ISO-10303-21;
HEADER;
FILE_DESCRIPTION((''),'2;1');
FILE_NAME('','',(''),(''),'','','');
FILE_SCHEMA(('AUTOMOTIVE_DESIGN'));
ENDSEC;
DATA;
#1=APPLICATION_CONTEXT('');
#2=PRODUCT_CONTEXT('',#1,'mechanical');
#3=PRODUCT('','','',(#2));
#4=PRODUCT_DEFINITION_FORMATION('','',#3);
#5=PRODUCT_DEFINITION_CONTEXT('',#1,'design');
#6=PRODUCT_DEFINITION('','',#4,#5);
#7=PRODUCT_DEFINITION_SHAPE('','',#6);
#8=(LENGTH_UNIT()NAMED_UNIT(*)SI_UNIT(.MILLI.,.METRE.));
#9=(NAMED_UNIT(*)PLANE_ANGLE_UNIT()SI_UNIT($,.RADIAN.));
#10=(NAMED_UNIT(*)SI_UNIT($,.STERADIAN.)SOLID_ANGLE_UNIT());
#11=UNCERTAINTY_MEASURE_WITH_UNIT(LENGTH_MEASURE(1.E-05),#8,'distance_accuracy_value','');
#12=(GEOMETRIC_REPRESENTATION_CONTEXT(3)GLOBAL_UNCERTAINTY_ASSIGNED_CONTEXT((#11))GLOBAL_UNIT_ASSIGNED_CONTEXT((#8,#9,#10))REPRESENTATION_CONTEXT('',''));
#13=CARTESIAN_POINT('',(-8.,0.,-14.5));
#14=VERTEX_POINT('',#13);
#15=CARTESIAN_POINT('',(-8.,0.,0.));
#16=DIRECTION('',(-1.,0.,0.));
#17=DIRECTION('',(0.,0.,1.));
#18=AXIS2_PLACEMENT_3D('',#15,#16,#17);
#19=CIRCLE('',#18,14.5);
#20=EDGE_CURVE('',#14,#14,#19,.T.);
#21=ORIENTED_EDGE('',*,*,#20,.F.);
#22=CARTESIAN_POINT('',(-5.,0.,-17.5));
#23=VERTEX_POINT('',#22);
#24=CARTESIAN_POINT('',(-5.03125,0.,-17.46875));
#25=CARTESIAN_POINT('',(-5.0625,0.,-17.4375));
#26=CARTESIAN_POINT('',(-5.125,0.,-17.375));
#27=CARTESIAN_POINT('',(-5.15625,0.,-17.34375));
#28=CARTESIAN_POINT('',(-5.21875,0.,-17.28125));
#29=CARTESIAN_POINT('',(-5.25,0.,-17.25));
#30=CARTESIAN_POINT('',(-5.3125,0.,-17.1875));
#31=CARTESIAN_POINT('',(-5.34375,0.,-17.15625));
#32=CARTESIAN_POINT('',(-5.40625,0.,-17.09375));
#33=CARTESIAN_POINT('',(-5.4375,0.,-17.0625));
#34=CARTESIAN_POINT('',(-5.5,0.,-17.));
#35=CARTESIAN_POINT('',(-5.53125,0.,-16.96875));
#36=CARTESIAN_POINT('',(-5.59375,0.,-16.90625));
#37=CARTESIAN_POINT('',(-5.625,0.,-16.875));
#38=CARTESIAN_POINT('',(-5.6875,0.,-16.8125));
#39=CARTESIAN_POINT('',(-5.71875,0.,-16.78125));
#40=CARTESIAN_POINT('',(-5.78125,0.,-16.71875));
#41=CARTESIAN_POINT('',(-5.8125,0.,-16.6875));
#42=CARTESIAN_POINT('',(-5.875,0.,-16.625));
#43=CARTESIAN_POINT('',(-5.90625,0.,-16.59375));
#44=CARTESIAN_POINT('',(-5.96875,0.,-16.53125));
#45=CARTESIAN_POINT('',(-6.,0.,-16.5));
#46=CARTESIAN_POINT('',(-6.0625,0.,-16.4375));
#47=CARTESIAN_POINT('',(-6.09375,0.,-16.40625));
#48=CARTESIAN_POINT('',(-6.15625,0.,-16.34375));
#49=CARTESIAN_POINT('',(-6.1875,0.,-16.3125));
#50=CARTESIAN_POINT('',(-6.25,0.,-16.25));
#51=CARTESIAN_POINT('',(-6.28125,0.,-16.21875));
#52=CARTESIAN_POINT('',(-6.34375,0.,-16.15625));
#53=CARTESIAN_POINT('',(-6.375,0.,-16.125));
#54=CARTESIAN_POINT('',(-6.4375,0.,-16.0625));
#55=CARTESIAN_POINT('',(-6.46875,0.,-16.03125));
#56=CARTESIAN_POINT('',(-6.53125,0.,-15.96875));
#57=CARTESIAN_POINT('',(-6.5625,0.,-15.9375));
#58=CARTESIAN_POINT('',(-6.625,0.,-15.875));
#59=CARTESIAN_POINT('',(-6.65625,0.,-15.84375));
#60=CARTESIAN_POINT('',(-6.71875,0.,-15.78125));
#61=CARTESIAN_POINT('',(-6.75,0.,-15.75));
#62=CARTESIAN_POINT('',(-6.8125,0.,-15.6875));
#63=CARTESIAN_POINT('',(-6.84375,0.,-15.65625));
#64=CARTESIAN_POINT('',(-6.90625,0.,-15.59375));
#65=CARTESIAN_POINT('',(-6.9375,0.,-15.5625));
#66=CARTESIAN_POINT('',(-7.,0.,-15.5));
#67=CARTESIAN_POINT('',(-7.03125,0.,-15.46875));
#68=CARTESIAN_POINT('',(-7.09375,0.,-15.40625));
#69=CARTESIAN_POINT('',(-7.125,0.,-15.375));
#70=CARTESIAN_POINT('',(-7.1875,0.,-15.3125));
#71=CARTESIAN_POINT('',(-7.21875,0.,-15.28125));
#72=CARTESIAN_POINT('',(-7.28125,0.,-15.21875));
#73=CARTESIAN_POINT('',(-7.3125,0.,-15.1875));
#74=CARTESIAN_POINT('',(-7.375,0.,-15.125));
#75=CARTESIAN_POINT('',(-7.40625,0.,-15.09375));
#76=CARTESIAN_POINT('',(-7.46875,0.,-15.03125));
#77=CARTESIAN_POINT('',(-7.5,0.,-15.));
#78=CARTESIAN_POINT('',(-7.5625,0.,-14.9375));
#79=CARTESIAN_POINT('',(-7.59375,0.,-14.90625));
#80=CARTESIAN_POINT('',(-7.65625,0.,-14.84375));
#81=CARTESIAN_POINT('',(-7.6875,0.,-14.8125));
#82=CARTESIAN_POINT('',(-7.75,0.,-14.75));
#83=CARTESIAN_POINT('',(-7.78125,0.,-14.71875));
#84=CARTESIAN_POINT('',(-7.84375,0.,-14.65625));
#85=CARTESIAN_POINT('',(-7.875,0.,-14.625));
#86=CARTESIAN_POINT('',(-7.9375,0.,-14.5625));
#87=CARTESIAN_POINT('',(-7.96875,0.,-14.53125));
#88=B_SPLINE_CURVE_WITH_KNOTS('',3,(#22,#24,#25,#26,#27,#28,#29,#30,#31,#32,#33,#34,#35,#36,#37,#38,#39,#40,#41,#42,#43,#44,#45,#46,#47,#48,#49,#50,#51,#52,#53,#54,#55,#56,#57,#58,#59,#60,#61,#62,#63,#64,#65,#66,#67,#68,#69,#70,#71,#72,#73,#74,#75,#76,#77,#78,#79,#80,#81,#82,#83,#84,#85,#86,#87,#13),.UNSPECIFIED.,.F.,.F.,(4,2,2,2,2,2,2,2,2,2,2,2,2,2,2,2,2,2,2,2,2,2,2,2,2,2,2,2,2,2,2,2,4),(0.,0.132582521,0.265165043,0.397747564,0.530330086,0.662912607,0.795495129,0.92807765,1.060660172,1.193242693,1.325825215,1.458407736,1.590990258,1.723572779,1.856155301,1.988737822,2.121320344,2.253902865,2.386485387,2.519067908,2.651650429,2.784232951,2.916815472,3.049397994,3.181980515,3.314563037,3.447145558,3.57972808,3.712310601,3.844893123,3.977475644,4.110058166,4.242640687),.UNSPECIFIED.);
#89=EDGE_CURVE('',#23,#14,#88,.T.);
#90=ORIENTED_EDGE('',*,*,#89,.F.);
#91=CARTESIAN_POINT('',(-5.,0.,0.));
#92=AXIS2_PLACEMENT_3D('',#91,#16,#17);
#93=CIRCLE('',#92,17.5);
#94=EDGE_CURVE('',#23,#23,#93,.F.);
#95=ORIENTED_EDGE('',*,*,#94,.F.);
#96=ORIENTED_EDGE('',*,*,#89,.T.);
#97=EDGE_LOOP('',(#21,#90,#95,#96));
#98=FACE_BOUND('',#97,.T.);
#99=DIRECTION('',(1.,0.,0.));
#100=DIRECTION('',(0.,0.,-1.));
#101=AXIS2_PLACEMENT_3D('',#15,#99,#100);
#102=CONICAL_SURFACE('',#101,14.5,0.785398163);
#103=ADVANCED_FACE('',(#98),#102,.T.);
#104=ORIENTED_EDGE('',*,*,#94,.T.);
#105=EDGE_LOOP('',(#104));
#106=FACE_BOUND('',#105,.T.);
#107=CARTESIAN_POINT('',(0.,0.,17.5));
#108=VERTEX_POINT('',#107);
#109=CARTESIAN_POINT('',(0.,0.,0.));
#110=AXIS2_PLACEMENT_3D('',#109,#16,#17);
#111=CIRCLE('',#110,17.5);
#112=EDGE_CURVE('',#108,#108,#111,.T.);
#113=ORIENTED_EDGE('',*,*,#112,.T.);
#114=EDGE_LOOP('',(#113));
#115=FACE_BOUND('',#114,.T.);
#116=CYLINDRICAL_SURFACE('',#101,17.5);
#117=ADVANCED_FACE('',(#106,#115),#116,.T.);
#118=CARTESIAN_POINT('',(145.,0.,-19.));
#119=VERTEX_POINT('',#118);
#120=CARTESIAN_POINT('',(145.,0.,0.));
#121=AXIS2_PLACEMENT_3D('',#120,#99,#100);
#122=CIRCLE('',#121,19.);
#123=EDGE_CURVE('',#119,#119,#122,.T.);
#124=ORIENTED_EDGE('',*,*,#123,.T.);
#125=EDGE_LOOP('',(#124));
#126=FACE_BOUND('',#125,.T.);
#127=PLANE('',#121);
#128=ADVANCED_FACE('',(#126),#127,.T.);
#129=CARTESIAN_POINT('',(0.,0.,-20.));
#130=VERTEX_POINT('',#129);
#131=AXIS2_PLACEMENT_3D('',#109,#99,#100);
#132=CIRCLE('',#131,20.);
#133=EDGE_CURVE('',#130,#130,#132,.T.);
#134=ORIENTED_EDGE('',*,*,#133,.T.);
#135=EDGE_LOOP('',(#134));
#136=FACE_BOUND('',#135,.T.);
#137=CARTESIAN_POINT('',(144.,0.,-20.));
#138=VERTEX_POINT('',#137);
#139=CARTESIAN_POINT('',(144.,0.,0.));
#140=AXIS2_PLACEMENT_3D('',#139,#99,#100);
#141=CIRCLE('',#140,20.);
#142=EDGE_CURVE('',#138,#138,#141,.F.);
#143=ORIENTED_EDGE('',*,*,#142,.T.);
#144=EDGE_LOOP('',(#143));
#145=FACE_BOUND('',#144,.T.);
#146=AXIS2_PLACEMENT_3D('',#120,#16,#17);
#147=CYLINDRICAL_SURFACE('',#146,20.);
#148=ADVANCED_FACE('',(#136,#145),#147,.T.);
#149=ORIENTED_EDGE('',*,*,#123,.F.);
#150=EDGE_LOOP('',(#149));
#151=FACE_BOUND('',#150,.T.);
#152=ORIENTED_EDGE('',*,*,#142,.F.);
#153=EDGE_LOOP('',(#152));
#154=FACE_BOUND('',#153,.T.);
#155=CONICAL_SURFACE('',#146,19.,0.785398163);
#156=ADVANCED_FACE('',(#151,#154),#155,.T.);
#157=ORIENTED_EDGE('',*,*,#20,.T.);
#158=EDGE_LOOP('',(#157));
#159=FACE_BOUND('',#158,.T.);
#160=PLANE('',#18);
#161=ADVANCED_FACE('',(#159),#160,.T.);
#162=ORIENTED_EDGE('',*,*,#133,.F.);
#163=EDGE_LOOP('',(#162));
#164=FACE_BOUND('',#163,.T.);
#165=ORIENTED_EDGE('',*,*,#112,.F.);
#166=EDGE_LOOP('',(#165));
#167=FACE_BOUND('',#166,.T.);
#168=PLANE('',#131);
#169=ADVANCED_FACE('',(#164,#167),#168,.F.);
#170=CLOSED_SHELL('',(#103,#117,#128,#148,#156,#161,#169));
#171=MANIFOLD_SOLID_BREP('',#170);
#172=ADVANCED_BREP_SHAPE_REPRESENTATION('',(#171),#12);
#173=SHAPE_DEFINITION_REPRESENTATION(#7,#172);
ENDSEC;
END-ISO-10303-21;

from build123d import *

# Parameters (mm, degrees)
SKETCH_1_R      = 20
EXTRUDE_1_DEPTH = 145
SKETCH_2_R      = 17.5
EXTRUDE_2_DEPTH = 8
CHAMFER_2_SIZE  = 3
CHAMFER_1_SIZE  = 1


with BuildPart() as part:
    # 草图1 → 凸台-拉伸1 (new body)
    with BuildSketch(Plane(origin=(0, 0, 0), x_dir=(0, 0, -1), z_dir=(1, 0, 0))):
        Circle(SKETCH_1_R)
    extrude(amount=EXTRUDE_1_DEPTH)

    # 草图2 → 凸台-拉伸2 (add)
    with BuildSketch(Plane.ZY):
        Circle(SKETCH_2_R)
    extrude(amount=EXTRUDE_2_DEPTH)

    # 倒角2
    chamfer_2_edges = [part.edges().sort_by_distance(p)[0] for p in [
        (-8, 0, -17.5),
    ]]
    chamfer(chamfer_2_edges, length=CHAMFER_2_SIZE)

    # 倒角1
    chamfer_1_edges = [part.edges().sort_by_distance(p)[0] for p in [
        (145, 0, 20),
    ]]
    chamfer(chamfer_1_edges, length=CHAMFER_1_SIZE)


solid = part.part
